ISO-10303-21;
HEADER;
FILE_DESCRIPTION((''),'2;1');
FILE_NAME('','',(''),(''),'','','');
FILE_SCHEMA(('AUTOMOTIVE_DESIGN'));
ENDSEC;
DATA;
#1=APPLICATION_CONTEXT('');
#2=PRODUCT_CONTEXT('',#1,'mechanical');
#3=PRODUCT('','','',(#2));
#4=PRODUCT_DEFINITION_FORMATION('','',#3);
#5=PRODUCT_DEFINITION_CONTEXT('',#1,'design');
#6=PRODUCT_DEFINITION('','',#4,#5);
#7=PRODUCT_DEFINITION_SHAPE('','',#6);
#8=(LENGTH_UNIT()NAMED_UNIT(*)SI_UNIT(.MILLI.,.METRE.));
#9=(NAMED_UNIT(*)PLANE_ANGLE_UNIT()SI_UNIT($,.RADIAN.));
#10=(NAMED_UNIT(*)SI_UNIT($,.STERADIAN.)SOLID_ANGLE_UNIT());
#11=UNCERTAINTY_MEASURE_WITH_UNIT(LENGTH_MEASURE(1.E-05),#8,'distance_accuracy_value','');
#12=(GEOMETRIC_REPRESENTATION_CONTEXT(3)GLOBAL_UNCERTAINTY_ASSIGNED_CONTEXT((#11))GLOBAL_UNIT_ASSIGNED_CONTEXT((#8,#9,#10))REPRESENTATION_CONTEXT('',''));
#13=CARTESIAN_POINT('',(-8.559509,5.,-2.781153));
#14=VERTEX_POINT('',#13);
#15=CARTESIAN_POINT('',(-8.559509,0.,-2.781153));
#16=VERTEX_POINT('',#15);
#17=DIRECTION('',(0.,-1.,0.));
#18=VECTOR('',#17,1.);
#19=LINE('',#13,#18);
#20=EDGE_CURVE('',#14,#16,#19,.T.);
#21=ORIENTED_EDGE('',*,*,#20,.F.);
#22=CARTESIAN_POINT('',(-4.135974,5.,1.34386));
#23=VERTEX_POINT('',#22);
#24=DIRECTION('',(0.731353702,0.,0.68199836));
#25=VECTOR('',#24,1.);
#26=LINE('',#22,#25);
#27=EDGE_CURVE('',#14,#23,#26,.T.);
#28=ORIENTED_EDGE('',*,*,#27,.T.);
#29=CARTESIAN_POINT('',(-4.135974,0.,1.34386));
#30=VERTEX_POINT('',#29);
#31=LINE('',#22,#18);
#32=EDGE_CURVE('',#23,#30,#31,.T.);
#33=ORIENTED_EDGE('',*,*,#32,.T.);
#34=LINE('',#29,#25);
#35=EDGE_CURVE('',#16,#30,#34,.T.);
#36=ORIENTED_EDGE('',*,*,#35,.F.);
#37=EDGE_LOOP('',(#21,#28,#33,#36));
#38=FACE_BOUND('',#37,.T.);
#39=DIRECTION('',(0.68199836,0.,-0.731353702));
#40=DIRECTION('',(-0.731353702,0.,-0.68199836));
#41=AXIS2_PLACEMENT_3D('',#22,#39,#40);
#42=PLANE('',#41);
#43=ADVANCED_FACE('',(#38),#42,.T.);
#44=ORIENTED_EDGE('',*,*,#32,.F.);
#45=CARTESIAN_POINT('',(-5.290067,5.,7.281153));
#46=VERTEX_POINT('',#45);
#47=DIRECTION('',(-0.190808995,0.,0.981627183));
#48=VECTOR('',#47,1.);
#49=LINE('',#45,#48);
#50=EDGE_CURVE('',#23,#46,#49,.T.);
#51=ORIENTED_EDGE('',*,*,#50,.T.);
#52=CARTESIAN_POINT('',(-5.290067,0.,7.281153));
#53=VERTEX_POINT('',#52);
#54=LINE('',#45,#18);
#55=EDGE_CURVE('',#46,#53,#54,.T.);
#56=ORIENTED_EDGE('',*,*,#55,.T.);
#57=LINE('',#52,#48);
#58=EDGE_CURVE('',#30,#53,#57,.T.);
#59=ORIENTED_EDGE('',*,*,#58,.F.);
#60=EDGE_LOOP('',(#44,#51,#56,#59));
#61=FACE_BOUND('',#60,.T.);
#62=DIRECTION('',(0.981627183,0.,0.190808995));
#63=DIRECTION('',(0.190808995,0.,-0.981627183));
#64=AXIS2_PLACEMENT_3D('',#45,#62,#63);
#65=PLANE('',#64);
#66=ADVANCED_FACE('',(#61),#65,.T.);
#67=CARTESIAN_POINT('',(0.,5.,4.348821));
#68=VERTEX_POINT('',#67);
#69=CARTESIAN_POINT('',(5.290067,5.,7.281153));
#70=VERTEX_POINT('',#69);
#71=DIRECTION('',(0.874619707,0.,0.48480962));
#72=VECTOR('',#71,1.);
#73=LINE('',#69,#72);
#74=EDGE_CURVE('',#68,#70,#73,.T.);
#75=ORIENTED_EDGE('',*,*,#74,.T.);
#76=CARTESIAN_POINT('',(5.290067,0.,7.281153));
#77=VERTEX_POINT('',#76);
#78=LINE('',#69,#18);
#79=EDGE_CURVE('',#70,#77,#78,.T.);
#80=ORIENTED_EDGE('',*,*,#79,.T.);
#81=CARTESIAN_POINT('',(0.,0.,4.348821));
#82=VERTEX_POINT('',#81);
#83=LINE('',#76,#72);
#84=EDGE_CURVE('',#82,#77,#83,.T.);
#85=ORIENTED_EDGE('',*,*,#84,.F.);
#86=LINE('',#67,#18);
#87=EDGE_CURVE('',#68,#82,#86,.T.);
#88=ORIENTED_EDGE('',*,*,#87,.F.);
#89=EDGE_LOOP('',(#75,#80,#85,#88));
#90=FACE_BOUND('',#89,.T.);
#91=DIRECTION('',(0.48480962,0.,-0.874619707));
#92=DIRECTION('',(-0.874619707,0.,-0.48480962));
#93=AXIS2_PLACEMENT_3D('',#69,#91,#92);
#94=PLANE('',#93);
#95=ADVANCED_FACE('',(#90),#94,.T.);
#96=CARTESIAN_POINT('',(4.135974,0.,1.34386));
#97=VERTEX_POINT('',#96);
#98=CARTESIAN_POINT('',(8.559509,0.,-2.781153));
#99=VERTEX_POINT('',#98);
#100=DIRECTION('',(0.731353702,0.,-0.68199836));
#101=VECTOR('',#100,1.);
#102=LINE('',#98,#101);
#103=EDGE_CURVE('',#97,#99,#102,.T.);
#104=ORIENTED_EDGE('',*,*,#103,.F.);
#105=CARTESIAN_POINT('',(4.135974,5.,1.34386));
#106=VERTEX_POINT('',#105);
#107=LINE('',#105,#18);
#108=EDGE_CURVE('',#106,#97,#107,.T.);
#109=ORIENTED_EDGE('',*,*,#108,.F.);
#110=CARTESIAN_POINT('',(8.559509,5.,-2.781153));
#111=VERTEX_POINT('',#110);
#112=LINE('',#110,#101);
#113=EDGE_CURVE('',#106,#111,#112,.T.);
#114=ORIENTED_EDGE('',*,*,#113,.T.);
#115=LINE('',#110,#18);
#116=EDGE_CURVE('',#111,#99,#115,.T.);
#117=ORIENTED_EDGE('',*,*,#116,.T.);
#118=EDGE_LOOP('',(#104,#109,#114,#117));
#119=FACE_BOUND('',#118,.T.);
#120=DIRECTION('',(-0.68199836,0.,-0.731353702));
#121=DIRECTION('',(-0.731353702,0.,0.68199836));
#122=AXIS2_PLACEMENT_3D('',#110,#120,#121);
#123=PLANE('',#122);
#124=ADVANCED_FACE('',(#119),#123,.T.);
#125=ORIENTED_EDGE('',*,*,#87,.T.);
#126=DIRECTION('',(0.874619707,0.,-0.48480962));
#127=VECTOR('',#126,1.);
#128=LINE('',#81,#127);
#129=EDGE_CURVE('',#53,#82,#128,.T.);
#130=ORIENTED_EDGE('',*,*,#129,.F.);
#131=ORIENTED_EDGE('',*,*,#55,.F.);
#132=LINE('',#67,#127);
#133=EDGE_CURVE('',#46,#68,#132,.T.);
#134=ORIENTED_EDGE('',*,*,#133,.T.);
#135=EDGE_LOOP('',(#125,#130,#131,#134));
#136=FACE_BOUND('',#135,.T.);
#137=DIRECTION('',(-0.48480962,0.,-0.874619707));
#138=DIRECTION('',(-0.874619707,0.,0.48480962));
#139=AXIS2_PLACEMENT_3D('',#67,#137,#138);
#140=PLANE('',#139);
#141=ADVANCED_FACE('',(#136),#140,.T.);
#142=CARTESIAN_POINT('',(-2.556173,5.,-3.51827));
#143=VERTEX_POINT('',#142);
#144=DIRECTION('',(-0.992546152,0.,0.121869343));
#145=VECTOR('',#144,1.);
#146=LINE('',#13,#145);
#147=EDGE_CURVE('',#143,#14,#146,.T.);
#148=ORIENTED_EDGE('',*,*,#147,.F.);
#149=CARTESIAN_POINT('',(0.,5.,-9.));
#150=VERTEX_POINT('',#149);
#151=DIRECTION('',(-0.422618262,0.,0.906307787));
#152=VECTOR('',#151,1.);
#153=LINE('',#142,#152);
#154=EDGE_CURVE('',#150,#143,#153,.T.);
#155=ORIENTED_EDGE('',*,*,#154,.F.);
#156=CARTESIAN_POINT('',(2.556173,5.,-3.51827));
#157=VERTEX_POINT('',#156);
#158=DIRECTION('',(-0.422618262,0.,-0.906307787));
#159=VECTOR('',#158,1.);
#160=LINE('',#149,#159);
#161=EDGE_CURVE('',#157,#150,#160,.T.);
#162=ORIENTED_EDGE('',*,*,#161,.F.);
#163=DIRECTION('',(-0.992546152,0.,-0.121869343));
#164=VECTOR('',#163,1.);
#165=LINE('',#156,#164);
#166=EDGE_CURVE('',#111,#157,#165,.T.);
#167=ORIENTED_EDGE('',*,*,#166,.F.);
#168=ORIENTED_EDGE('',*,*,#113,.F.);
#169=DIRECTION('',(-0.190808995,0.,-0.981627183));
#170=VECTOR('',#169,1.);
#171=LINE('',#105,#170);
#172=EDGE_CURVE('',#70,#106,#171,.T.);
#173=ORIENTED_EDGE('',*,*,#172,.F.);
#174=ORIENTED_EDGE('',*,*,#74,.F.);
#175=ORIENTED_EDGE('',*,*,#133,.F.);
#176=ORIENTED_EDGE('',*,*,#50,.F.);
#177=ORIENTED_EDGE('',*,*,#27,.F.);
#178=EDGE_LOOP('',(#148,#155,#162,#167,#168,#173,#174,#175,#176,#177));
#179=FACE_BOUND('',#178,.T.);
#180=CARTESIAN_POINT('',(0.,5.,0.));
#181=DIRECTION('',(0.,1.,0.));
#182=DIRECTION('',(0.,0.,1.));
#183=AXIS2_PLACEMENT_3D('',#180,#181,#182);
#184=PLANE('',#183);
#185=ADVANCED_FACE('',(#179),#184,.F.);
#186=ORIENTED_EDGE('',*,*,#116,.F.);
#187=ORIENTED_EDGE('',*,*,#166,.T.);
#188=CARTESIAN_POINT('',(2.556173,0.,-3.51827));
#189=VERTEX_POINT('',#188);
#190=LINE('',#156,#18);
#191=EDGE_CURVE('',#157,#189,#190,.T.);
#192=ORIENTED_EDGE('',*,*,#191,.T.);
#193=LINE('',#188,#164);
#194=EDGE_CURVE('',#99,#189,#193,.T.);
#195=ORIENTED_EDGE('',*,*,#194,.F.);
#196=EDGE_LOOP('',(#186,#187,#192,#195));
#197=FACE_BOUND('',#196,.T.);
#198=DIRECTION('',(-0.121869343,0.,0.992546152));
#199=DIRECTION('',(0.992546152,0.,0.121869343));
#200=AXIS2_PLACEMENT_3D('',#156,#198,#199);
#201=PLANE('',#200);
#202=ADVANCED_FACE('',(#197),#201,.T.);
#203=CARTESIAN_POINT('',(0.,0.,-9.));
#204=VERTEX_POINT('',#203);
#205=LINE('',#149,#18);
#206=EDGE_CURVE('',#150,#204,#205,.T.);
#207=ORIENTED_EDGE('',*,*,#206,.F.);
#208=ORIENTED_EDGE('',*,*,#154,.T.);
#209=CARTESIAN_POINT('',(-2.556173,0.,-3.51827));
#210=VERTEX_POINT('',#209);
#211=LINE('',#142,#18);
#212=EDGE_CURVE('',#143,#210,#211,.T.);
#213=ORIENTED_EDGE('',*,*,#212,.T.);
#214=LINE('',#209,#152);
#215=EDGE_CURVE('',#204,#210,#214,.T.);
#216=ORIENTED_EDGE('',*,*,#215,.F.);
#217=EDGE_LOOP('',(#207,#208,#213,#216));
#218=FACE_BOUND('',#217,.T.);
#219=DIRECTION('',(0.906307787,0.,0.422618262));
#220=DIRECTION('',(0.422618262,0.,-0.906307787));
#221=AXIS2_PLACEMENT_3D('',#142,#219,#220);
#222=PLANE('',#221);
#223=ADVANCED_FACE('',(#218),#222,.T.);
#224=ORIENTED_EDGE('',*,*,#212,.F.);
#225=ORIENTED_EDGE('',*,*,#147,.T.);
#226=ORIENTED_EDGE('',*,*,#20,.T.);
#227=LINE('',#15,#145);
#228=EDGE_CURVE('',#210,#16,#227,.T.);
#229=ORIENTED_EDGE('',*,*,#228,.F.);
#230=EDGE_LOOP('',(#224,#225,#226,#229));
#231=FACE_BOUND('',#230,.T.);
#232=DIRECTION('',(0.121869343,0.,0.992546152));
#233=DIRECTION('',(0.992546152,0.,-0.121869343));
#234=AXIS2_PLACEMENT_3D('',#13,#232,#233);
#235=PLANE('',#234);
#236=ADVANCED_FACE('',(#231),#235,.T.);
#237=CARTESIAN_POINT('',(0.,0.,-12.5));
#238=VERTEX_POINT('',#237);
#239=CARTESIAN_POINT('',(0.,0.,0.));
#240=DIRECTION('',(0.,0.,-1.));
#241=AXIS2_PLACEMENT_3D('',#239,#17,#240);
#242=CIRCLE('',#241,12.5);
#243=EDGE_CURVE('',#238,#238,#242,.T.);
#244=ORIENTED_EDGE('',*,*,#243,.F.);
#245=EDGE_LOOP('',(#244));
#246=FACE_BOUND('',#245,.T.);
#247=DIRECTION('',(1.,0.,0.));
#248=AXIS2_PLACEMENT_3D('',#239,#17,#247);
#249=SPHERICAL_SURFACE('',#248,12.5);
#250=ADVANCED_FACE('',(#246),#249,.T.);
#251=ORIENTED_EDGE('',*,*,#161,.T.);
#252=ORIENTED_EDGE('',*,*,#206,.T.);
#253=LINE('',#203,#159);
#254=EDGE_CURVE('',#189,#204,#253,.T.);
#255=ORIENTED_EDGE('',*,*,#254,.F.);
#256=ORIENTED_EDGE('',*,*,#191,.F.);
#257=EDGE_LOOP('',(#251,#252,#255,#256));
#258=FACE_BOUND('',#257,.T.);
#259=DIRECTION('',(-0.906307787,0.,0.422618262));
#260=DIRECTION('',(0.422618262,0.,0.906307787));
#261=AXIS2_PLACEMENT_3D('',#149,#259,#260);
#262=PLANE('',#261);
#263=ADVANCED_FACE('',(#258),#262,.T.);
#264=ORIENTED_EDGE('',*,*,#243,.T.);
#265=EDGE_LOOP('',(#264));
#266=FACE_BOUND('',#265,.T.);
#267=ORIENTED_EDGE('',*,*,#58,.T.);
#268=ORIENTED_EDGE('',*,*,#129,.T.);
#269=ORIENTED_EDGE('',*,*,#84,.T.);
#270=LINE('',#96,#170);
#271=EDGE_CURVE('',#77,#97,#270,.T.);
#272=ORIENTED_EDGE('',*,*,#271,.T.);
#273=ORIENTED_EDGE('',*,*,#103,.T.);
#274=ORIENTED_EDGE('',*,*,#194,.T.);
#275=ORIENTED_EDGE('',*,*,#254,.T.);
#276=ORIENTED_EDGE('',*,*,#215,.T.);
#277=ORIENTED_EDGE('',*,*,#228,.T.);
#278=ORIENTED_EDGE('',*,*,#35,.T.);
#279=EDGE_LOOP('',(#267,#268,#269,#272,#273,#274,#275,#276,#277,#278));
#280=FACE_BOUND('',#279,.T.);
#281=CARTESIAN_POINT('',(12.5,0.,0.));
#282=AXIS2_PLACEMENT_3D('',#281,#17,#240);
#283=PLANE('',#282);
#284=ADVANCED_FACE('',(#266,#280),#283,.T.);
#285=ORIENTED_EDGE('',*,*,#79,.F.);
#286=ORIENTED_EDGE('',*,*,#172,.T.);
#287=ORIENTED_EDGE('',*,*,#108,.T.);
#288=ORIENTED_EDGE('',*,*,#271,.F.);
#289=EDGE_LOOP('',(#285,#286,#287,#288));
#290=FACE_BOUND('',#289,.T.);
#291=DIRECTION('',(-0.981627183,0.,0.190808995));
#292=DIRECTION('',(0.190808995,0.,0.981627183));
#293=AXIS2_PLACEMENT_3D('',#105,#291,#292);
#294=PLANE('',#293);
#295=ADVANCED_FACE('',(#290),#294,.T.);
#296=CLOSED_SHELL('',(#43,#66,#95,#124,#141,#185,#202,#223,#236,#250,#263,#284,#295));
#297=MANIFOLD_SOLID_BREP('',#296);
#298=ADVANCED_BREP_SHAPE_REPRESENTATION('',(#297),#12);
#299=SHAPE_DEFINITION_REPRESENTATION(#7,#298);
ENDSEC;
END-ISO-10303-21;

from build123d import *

# Parameters (mm, degrees)
CUT_EXTRUDE1_DEPTH = 5


with BuildPart() as part:
    # Sketch1 → Revolve1 (revolve)
    with BuildSketch(Plane.XY):
        with BuildLine():
            Line((12.5, 0), (0, 0))
            Line((0, 0), (0, 12.5))
            ThreePointArc((0, 12.5), (8.838834765, 8.838834765), (12.5, 0))
        make_face()
    revolve(axis=Axis((0, 0, 0), (0, 1, 0)))

    # Sketch2 → Cut-Extrude1 (cut)
    with BuildSketch(Plane(origin=(0, 0, 0), x_dir=(1, 0, 0), z_dir=(0, 1, 0))):
        Polygon((0, 9), (2.556172718, 3.518269915), (8.559508647, 2.781152949), (4.13597434, -1.343859526), (5.290067271, -7.281152949), (0, -4.348820778), (-5.290067271, -7.281152949), (-4.13597434, -1.343859526), (-8.559508647, 2.781152949), (-2.556172718, 3.518269915), align=None)
    extrude(amount=CUT_EXTRUDE1_DEPTH, mode=Mode.SUBTRACT)


solid = part.part
